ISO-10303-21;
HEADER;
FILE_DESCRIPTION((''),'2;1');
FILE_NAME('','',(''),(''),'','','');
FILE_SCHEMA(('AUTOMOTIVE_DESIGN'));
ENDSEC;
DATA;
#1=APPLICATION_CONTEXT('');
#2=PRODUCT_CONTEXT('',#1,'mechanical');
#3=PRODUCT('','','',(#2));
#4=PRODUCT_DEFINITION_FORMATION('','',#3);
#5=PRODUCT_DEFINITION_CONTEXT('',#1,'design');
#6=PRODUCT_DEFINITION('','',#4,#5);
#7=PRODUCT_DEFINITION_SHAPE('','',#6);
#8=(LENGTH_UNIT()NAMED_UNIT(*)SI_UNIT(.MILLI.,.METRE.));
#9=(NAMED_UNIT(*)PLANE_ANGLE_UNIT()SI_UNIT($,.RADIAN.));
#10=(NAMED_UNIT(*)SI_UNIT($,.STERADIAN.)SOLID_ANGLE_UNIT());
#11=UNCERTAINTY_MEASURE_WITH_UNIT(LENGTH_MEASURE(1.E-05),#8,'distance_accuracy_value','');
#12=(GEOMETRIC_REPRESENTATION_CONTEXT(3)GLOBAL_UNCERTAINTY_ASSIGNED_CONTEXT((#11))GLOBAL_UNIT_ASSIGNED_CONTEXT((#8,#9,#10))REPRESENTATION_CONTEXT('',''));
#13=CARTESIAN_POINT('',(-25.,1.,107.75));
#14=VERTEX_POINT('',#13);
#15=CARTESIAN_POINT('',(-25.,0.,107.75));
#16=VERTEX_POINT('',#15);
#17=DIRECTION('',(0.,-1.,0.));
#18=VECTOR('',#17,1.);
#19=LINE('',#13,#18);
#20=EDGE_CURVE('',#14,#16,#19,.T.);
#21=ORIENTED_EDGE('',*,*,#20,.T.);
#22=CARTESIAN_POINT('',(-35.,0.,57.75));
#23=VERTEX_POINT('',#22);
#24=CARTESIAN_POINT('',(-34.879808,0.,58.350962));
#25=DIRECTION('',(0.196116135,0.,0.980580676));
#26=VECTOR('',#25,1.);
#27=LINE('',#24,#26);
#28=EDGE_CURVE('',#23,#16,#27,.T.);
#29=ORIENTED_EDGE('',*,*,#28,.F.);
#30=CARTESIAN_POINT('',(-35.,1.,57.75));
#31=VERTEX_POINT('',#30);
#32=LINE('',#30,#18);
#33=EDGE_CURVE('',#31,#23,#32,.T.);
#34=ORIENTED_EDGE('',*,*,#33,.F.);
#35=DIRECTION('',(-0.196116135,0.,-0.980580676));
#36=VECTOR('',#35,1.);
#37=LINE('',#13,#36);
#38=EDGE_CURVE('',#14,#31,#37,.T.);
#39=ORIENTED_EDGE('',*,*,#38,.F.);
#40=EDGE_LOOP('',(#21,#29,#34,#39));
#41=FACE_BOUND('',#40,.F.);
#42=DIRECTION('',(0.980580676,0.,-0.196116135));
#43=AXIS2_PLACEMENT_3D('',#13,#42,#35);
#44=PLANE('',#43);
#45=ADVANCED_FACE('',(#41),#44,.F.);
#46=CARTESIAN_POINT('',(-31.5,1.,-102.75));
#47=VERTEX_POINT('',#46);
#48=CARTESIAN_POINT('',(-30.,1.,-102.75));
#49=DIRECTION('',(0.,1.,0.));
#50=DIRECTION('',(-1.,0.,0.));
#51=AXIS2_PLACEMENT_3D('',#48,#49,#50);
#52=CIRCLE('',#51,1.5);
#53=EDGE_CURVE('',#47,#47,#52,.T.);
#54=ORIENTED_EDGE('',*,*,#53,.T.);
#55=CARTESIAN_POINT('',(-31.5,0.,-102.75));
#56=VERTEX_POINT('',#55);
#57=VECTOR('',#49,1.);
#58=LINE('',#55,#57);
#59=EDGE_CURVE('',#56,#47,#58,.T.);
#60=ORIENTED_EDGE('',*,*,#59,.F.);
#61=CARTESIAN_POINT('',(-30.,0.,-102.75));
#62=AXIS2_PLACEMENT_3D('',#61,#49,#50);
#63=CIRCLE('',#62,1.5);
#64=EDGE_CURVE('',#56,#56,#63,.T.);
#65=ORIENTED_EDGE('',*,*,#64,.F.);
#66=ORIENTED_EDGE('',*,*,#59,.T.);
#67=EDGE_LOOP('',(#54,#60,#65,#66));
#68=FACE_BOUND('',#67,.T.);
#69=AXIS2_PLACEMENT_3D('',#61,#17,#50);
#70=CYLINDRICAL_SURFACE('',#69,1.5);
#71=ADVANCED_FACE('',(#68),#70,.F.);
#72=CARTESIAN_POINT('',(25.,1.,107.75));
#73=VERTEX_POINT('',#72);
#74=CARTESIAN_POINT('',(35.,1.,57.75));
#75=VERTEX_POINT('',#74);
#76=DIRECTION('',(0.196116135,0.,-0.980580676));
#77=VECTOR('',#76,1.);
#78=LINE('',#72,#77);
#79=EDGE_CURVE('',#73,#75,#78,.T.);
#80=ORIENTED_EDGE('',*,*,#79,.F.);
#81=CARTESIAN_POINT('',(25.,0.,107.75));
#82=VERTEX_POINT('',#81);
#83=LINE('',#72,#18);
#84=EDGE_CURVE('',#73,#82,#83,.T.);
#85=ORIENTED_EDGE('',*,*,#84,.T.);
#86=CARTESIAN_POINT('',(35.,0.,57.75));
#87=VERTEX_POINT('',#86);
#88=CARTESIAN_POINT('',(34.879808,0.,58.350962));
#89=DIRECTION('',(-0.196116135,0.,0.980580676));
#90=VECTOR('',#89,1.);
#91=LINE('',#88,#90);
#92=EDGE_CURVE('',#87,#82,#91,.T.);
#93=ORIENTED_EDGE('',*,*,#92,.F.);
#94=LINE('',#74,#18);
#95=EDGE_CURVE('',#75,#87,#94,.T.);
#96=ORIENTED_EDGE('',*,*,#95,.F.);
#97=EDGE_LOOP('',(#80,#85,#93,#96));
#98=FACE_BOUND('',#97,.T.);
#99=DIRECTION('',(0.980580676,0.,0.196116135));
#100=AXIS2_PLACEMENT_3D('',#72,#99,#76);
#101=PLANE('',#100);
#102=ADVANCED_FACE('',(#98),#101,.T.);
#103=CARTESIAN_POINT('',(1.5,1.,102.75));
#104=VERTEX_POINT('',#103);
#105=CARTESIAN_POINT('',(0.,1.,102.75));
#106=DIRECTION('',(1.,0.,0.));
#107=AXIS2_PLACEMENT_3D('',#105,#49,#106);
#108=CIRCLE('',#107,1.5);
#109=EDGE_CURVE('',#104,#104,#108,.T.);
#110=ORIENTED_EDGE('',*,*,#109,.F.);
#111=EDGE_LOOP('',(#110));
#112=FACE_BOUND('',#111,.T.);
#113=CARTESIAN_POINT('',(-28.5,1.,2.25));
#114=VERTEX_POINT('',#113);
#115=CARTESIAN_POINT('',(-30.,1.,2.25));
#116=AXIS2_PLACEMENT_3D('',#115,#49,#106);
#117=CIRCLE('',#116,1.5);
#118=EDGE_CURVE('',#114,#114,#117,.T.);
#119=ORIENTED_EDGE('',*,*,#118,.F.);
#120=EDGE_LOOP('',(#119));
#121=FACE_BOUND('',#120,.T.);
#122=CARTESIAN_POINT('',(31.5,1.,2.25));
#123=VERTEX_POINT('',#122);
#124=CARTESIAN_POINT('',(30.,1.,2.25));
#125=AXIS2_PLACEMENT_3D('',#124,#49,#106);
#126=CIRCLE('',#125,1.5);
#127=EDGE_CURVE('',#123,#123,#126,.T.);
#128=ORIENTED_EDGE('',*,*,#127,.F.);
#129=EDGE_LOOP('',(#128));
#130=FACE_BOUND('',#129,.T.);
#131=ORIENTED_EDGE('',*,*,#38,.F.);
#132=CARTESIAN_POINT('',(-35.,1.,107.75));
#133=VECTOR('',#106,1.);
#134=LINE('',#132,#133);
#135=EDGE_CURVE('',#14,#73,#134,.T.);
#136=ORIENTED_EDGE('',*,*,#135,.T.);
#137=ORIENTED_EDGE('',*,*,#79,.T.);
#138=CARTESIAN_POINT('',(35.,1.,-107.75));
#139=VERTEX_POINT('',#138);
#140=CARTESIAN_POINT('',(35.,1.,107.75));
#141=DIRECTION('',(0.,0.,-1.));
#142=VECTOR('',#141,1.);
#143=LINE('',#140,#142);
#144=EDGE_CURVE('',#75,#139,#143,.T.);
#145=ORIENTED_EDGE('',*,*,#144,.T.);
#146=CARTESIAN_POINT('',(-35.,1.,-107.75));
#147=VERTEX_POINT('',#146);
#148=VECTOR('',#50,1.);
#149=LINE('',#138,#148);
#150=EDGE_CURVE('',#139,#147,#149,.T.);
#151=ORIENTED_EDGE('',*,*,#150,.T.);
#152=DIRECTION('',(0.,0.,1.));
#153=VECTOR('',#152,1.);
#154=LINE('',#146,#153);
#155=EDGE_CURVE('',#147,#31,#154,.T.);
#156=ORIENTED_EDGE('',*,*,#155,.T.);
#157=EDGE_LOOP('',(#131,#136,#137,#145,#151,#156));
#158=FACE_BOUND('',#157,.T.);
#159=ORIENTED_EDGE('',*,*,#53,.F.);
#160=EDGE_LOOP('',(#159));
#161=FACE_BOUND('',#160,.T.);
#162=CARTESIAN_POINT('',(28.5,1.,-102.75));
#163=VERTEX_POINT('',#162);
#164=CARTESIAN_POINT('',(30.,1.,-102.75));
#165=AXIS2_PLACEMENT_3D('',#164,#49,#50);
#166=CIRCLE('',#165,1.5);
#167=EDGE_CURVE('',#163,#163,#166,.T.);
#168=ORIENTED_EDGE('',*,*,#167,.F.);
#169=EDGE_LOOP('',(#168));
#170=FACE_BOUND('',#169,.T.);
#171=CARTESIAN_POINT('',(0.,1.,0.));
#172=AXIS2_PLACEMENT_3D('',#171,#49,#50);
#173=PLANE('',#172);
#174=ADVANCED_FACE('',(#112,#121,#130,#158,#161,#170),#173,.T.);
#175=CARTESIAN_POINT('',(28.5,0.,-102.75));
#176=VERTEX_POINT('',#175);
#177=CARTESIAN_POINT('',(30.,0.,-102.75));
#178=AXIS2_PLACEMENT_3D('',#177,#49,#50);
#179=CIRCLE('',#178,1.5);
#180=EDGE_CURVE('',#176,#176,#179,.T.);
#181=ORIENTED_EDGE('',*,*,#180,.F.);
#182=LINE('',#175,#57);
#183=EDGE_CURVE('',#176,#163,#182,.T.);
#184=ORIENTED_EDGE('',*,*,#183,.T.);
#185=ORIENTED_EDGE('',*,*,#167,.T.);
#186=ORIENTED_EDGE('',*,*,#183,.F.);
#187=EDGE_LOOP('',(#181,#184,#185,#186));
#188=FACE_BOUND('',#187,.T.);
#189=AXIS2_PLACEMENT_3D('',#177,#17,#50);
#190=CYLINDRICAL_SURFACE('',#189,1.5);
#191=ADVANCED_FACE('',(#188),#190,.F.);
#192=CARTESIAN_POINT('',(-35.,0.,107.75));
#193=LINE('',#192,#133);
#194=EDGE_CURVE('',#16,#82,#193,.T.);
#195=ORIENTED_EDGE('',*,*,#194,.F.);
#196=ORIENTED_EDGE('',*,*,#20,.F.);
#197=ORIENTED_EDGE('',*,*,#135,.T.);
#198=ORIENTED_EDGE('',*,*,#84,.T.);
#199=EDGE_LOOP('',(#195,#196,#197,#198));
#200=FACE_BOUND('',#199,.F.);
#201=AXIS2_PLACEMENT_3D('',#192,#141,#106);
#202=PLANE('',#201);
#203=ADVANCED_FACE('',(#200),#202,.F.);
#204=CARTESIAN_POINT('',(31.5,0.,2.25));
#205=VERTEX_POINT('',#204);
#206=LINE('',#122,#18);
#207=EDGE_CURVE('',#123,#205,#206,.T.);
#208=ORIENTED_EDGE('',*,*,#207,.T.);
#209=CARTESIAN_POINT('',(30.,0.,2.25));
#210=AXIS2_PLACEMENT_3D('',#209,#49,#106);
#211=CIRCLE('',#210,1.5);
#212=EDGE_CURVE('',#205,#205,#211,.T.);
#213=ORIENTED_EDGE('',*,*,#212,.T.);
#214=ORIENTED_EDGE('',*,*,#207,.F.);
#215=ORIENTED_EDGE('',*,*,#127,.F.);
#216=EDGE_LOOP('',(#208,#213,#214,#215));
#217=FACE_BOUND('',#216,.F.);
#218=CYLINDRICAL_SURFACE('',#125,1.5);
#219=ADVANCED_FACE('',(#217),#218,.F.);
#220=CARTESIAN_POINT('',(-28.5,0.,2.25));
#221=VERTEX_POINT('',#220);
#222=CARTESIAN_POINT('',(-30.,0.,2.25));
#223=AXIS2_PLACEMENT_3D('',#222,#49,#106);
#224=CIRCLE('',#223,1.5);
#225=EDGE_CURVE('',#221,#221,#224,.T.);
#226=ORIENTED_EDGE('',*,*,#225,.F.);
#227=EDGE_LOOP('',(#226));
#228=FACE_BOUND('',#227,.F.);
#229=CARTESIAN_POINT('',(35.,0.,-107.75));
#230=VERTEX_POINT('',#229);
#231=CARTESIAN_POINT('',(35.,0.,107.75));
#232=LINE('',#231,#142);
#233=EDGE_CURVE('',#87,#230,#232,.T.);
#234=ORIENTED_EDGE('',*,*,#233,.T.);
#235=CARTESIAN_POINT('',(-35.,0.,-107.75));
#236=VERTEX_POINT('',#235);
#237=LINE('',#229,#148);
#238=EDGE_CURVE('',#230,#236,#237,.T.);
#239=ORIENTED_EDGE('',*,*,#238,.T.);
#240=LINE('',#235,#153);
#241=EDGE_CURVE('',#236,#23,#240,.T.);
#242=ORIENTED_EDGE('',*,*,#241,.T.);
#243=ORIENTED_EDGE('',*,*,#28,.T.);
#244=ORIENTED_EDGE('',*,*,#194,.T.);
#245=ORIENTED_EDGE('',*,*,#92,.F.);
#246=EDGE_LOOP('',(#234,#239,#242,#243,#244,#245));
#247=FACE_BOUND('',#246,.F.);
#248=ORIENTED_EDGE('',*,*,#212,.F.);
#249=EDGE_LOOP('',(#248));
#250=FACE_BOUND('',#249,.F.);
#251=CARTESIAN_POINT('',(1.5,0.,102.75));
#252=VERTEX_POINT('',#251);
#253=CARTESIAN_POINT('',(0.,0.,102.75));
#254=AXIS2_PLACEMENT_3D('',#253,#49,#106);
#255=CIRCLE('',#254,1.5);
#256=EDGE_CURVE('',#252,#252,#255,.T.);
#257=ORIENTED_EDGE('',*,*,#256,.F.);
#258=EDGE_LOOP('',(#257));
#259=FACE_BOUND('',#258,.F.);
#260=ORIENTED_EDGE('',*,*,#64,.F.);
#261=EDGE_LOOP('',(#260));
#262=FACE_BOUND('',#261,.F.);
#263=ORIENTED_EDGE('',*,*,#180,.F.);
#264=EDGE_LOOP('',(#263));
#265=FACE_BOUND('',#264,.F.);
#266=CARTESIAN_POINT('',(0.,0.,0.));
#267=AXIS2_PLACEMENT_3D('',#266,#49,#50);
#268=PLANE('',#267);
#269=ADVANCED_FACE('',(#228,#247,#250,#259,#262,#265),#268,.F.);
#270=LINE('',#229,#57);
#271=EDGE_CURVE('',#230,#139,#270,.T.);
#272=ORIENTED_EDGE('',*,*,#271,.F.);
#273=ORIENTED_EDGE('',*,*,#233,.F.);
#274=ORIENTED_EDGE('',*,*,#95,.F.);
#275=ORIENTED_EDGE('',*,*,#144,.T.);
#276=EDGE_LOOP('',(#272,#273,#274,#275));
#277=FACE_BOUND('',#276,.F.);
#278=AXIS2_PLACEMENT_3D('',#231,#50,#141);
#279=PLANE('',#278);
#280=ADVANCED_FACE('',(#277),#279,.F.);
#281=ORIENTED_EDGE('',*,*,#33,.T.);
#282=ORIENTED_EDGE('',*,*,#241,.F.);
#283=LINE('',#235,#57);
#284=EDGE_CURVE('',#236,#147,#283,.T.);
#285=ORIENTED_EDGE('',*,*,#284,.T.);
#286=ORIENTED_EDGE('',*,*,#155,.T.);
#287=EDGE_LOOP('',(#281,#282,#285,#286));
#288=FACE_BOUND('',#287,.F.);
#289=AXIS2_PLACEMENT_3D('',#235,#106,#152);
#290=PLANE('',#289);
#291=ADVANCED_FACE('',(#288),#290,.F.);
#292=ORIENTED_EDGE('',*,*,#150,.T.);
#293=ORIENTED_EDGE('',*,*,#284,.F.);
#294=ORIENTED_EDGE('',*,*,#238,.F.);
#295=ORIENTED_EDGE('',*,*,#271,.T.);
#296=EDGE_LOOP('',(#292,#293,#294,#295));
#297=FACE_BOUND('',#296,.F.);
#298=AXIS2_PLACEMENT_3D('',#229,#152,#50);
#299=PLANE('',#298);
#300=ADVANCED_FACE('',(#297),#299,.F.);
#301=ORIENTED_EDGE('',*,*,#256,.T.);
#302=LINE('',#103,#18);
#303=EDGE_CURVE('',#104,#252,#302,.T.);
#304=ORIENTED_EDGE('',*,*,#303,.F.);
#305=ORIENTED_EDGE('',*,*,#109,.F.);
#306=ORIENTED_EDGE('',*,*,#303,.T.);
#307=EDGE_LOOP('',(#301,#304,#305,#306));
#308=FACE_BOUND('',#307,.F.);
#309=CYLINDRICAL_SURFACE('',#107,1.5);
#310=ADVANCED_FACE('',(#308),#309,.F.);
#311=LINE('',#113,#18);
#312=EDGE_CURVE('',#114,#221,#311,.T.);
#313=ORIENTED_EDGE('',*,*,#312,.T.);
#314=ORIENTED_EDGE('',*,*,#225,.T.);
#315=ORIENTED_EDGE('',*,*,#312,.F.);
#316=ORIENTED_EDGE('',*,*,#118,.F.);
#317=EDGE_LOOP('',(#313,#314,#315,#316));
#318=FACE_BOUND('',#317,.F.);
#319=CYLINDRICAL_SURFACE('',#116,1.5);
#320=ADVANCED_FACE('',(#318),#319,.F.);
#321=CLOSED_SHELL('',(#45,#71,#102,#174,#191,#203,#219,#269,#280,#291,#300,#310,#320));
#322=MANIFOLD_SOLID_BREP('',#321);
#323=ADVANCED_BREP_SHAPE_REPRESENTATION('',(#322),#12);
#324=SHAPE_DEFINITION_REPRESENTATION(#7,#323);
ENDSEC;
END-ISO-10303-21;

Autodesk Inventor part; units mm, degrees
ref_plane "YZ Plane" through (0, 0, 0) normal (1, 0, 0) x (0, 1, 0)
ref_plane "XZ Plane" through (0, 0, 0) normal (0, 1, 0) x (-1, 0, 0)
ref_plane "XY Plane" through (0, 0, 0) normal (0, 0, 1) x (1, 0, 0)
sketch "Sketch1" plane through (0, 0, 0) normal (0, 1, 0) x (-1, 0, 0)
  line L0 (35, 107.75) -> (-35, 107.75)
  line L1 (-35, 107.75) -> (-35, -107.75)
  line L2 (-35, -107.75) -> (35, -107.75)
  line L3 (35, -107.75) -> (35, 107.75)
  line L4 (35, 107.75) -> (-35, -107.75) construction
  line L5 (-35, 107.75) -> (35, -107.75) construction
  circle A0 centre (30, -102.75) radius 1.5
  circle A1 centre (-30, -102.75) radius 1.5
  point P0 (0, 0)
  dimension "d0" = 70
  dimension "d1" = 215.5
  dimension "d2" = 3
  dimension "d3" = 3
  dimension "d4" = 5
  dimension "d5" = 5
  dimension "d6" = 5
  dimension "d7" = 5
extrude "Extrusion1" add sketch "Sketch1" along normal blind 1
sketch "Sketch2" plane through (0, 1, 0) normal (0, 1, 0) x (1, 0, 0)
  line L0 (-35, -107.75) -> (35, -107.75) projected
  line L1 (-35, -107.75) -> (-25, -107.75)
  line L2 (-25, -107.75) -> (-25, -57.75)
  line L3 (-25, -57.75) -> (-35, -57.75)
  line L4 (-35, -57.75) -> (-35, -107.75)
  line L5 (35, -107.75) -> (25, -107.75)
  line L6 (25, -107.75) -> (25, -57.75)
  line L7 (25, -57.75) -> (35, -57.75)
  line L8 (35, -57.75) -> (35, -107.75)
  line L9 (-25, -107.75) -> (-35, -57.75)
  line L10 (25, -107.75) -> (35, -57.75)
  point P0 (0, 0)
  dimension "d10" = 10
  dimension "d11" = 50
  dimension "d12" = 10
  dimension "d13" = 50
extrude "Extrusion2" cut sketch "Sketch2" against normal up to next contours L4 L9 L0 | L10 L8 L0
sketch "Sketch3" plane through (0, 1, 0) normal (0, 1, 0) x (1, 0, 0)
  circle A0 centre (-30, -2.25) radius 1.5
  circle A1 centre (30, -2.25) radius 1.5
  line L0 (-25, -107.75) -> (25, -107.75) projected
  line L1 (-35, 107.75) -> (-35, -57.75) projected
  line L2 (35, -57.75) -> (35, 107.75) projected
  circle A2 centre (0, -102.75) radius 1.5
  point P0 (0, 0)
  dimension "d16" = 3
  dimension "d17" = 3
  dimension "d18" = 105.5
  dimension "d19" = 105.5
  dimension "d20" = 5
  dimension "d21" = 5
  dimension "d22" = 3
  dimension "d23" = 5
extrude "Extrusion3" cut sketch "Sketch3" against normal up to next
properties part number "cover2" material "PET Plastic"
